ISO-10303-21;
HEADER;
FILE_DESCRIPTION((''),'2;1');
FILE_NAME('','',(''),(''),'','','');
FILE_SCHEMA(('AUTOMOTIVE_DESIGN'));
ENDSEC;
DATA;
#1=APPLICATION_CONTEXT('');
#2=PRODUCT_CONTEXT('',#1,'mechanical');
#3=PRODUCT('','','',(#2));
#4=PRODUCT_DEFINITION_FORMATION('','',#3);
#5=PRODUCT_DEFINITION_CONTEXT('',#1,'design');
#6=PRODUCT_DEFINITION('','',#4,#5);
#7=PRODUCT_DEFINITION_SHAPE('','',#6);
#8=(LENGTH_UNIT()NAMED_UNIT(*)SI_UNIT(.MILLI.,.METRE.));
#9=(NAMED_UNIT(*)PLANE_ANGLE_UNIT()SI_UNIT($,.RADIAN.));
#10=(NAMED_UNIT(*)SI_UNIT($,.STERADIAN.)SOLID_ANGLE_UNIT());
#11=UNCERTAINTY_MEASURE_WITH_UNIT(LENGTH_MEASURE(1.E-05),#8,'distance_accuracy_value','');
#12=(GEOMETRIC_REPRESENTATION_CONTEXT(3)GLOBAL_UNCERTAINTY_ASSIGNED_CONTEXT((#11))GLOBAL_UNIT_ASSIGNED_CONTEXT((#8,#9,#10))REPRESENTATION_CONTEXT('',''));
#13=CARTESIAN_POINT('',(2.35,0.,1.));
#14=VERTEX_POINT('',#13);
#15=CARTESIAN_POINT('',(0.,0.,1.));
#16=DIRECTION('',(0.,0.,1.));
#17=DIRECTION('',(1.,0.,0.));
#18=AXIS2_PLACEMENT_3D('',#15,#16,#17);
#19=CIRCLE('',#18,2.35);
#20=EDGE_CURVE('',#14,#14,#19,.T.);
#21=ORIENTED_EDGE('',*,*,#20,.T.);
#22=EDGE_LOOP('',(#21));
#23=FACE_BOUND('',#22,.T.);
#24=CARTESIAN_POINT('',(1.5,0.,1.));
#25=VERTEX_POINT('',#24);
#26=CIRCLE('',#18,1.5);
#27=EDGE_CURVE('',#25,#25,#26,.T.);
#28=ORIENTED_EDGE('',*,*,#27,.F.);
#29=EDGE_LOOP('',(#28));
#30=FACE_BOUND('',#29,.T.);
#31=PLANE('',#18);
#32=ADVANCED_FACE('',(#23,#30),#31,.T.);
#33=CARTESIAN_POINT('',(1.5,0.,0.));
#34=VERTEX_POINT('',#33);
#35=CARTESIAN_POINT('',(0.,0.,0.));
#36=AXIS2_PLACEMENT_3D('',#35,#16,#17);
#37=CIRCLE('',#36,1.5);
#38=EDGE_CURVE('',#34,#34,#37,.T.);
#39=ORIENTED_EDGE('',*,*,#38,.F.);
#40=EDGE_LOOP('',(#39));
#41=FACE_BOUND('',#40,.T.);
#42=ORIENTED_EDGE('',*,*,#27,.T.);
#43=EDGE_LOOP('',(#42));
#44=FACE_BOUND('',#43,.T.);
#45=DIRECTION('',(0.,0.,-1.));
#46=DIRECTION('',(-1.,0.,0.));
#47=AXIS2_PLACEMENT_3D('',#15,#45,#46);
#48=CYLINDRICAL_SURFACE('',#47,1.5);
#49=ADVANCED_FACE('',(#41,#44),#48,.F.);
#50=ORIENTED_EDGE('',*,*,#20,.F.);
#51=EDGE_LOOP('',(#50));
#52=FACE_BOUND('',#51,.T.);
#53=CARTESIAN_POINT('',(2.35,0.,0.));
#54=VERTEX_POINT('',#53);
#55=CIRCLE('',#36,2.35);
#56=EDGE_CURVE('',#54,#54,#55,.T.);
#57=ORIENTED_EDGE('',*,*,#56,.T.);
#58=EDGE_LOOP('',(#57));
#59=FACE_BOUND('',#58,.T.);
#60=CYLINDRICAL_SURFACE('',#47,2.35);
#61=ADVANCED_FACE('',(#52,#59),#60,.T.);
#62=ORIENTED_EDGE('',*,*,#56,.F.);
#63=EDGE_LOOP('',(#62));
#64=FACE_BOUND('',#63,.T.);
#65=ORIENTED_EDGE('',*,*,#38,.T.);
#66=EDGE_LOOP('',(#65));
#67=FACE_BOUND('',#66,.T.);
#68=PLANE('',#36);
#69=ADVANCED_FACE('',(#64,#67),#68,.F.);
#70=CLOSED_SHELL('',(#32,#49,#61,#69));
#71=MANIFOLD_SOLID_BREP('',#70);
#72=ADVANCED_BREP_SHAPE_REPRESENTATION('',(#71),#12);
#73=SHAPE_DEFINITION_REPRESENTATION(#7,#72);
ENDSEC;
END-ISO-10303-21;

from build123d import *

# Parameters (mm, degrees)
SCHIZZO1_R                   = 2.35
SCHIZZO1_R_2                 = 1.5
ESTRUSIONE_ESTRUSIONE1_DEPTH = 1


with BuildPart() as part:
    # Schizzo1 → Estrusione-Estrusione1 (new body)
    with BuildSketch(Plane.XY):
        Circle(SCHIZZO1_R)
        Circle(SCHIZZO1_R_2, mode=Mode.SUBTRACT)
    extrude(amount=ESTRUSIONE_ESTRUSIONE1_DEPTH)


solid = part.part
